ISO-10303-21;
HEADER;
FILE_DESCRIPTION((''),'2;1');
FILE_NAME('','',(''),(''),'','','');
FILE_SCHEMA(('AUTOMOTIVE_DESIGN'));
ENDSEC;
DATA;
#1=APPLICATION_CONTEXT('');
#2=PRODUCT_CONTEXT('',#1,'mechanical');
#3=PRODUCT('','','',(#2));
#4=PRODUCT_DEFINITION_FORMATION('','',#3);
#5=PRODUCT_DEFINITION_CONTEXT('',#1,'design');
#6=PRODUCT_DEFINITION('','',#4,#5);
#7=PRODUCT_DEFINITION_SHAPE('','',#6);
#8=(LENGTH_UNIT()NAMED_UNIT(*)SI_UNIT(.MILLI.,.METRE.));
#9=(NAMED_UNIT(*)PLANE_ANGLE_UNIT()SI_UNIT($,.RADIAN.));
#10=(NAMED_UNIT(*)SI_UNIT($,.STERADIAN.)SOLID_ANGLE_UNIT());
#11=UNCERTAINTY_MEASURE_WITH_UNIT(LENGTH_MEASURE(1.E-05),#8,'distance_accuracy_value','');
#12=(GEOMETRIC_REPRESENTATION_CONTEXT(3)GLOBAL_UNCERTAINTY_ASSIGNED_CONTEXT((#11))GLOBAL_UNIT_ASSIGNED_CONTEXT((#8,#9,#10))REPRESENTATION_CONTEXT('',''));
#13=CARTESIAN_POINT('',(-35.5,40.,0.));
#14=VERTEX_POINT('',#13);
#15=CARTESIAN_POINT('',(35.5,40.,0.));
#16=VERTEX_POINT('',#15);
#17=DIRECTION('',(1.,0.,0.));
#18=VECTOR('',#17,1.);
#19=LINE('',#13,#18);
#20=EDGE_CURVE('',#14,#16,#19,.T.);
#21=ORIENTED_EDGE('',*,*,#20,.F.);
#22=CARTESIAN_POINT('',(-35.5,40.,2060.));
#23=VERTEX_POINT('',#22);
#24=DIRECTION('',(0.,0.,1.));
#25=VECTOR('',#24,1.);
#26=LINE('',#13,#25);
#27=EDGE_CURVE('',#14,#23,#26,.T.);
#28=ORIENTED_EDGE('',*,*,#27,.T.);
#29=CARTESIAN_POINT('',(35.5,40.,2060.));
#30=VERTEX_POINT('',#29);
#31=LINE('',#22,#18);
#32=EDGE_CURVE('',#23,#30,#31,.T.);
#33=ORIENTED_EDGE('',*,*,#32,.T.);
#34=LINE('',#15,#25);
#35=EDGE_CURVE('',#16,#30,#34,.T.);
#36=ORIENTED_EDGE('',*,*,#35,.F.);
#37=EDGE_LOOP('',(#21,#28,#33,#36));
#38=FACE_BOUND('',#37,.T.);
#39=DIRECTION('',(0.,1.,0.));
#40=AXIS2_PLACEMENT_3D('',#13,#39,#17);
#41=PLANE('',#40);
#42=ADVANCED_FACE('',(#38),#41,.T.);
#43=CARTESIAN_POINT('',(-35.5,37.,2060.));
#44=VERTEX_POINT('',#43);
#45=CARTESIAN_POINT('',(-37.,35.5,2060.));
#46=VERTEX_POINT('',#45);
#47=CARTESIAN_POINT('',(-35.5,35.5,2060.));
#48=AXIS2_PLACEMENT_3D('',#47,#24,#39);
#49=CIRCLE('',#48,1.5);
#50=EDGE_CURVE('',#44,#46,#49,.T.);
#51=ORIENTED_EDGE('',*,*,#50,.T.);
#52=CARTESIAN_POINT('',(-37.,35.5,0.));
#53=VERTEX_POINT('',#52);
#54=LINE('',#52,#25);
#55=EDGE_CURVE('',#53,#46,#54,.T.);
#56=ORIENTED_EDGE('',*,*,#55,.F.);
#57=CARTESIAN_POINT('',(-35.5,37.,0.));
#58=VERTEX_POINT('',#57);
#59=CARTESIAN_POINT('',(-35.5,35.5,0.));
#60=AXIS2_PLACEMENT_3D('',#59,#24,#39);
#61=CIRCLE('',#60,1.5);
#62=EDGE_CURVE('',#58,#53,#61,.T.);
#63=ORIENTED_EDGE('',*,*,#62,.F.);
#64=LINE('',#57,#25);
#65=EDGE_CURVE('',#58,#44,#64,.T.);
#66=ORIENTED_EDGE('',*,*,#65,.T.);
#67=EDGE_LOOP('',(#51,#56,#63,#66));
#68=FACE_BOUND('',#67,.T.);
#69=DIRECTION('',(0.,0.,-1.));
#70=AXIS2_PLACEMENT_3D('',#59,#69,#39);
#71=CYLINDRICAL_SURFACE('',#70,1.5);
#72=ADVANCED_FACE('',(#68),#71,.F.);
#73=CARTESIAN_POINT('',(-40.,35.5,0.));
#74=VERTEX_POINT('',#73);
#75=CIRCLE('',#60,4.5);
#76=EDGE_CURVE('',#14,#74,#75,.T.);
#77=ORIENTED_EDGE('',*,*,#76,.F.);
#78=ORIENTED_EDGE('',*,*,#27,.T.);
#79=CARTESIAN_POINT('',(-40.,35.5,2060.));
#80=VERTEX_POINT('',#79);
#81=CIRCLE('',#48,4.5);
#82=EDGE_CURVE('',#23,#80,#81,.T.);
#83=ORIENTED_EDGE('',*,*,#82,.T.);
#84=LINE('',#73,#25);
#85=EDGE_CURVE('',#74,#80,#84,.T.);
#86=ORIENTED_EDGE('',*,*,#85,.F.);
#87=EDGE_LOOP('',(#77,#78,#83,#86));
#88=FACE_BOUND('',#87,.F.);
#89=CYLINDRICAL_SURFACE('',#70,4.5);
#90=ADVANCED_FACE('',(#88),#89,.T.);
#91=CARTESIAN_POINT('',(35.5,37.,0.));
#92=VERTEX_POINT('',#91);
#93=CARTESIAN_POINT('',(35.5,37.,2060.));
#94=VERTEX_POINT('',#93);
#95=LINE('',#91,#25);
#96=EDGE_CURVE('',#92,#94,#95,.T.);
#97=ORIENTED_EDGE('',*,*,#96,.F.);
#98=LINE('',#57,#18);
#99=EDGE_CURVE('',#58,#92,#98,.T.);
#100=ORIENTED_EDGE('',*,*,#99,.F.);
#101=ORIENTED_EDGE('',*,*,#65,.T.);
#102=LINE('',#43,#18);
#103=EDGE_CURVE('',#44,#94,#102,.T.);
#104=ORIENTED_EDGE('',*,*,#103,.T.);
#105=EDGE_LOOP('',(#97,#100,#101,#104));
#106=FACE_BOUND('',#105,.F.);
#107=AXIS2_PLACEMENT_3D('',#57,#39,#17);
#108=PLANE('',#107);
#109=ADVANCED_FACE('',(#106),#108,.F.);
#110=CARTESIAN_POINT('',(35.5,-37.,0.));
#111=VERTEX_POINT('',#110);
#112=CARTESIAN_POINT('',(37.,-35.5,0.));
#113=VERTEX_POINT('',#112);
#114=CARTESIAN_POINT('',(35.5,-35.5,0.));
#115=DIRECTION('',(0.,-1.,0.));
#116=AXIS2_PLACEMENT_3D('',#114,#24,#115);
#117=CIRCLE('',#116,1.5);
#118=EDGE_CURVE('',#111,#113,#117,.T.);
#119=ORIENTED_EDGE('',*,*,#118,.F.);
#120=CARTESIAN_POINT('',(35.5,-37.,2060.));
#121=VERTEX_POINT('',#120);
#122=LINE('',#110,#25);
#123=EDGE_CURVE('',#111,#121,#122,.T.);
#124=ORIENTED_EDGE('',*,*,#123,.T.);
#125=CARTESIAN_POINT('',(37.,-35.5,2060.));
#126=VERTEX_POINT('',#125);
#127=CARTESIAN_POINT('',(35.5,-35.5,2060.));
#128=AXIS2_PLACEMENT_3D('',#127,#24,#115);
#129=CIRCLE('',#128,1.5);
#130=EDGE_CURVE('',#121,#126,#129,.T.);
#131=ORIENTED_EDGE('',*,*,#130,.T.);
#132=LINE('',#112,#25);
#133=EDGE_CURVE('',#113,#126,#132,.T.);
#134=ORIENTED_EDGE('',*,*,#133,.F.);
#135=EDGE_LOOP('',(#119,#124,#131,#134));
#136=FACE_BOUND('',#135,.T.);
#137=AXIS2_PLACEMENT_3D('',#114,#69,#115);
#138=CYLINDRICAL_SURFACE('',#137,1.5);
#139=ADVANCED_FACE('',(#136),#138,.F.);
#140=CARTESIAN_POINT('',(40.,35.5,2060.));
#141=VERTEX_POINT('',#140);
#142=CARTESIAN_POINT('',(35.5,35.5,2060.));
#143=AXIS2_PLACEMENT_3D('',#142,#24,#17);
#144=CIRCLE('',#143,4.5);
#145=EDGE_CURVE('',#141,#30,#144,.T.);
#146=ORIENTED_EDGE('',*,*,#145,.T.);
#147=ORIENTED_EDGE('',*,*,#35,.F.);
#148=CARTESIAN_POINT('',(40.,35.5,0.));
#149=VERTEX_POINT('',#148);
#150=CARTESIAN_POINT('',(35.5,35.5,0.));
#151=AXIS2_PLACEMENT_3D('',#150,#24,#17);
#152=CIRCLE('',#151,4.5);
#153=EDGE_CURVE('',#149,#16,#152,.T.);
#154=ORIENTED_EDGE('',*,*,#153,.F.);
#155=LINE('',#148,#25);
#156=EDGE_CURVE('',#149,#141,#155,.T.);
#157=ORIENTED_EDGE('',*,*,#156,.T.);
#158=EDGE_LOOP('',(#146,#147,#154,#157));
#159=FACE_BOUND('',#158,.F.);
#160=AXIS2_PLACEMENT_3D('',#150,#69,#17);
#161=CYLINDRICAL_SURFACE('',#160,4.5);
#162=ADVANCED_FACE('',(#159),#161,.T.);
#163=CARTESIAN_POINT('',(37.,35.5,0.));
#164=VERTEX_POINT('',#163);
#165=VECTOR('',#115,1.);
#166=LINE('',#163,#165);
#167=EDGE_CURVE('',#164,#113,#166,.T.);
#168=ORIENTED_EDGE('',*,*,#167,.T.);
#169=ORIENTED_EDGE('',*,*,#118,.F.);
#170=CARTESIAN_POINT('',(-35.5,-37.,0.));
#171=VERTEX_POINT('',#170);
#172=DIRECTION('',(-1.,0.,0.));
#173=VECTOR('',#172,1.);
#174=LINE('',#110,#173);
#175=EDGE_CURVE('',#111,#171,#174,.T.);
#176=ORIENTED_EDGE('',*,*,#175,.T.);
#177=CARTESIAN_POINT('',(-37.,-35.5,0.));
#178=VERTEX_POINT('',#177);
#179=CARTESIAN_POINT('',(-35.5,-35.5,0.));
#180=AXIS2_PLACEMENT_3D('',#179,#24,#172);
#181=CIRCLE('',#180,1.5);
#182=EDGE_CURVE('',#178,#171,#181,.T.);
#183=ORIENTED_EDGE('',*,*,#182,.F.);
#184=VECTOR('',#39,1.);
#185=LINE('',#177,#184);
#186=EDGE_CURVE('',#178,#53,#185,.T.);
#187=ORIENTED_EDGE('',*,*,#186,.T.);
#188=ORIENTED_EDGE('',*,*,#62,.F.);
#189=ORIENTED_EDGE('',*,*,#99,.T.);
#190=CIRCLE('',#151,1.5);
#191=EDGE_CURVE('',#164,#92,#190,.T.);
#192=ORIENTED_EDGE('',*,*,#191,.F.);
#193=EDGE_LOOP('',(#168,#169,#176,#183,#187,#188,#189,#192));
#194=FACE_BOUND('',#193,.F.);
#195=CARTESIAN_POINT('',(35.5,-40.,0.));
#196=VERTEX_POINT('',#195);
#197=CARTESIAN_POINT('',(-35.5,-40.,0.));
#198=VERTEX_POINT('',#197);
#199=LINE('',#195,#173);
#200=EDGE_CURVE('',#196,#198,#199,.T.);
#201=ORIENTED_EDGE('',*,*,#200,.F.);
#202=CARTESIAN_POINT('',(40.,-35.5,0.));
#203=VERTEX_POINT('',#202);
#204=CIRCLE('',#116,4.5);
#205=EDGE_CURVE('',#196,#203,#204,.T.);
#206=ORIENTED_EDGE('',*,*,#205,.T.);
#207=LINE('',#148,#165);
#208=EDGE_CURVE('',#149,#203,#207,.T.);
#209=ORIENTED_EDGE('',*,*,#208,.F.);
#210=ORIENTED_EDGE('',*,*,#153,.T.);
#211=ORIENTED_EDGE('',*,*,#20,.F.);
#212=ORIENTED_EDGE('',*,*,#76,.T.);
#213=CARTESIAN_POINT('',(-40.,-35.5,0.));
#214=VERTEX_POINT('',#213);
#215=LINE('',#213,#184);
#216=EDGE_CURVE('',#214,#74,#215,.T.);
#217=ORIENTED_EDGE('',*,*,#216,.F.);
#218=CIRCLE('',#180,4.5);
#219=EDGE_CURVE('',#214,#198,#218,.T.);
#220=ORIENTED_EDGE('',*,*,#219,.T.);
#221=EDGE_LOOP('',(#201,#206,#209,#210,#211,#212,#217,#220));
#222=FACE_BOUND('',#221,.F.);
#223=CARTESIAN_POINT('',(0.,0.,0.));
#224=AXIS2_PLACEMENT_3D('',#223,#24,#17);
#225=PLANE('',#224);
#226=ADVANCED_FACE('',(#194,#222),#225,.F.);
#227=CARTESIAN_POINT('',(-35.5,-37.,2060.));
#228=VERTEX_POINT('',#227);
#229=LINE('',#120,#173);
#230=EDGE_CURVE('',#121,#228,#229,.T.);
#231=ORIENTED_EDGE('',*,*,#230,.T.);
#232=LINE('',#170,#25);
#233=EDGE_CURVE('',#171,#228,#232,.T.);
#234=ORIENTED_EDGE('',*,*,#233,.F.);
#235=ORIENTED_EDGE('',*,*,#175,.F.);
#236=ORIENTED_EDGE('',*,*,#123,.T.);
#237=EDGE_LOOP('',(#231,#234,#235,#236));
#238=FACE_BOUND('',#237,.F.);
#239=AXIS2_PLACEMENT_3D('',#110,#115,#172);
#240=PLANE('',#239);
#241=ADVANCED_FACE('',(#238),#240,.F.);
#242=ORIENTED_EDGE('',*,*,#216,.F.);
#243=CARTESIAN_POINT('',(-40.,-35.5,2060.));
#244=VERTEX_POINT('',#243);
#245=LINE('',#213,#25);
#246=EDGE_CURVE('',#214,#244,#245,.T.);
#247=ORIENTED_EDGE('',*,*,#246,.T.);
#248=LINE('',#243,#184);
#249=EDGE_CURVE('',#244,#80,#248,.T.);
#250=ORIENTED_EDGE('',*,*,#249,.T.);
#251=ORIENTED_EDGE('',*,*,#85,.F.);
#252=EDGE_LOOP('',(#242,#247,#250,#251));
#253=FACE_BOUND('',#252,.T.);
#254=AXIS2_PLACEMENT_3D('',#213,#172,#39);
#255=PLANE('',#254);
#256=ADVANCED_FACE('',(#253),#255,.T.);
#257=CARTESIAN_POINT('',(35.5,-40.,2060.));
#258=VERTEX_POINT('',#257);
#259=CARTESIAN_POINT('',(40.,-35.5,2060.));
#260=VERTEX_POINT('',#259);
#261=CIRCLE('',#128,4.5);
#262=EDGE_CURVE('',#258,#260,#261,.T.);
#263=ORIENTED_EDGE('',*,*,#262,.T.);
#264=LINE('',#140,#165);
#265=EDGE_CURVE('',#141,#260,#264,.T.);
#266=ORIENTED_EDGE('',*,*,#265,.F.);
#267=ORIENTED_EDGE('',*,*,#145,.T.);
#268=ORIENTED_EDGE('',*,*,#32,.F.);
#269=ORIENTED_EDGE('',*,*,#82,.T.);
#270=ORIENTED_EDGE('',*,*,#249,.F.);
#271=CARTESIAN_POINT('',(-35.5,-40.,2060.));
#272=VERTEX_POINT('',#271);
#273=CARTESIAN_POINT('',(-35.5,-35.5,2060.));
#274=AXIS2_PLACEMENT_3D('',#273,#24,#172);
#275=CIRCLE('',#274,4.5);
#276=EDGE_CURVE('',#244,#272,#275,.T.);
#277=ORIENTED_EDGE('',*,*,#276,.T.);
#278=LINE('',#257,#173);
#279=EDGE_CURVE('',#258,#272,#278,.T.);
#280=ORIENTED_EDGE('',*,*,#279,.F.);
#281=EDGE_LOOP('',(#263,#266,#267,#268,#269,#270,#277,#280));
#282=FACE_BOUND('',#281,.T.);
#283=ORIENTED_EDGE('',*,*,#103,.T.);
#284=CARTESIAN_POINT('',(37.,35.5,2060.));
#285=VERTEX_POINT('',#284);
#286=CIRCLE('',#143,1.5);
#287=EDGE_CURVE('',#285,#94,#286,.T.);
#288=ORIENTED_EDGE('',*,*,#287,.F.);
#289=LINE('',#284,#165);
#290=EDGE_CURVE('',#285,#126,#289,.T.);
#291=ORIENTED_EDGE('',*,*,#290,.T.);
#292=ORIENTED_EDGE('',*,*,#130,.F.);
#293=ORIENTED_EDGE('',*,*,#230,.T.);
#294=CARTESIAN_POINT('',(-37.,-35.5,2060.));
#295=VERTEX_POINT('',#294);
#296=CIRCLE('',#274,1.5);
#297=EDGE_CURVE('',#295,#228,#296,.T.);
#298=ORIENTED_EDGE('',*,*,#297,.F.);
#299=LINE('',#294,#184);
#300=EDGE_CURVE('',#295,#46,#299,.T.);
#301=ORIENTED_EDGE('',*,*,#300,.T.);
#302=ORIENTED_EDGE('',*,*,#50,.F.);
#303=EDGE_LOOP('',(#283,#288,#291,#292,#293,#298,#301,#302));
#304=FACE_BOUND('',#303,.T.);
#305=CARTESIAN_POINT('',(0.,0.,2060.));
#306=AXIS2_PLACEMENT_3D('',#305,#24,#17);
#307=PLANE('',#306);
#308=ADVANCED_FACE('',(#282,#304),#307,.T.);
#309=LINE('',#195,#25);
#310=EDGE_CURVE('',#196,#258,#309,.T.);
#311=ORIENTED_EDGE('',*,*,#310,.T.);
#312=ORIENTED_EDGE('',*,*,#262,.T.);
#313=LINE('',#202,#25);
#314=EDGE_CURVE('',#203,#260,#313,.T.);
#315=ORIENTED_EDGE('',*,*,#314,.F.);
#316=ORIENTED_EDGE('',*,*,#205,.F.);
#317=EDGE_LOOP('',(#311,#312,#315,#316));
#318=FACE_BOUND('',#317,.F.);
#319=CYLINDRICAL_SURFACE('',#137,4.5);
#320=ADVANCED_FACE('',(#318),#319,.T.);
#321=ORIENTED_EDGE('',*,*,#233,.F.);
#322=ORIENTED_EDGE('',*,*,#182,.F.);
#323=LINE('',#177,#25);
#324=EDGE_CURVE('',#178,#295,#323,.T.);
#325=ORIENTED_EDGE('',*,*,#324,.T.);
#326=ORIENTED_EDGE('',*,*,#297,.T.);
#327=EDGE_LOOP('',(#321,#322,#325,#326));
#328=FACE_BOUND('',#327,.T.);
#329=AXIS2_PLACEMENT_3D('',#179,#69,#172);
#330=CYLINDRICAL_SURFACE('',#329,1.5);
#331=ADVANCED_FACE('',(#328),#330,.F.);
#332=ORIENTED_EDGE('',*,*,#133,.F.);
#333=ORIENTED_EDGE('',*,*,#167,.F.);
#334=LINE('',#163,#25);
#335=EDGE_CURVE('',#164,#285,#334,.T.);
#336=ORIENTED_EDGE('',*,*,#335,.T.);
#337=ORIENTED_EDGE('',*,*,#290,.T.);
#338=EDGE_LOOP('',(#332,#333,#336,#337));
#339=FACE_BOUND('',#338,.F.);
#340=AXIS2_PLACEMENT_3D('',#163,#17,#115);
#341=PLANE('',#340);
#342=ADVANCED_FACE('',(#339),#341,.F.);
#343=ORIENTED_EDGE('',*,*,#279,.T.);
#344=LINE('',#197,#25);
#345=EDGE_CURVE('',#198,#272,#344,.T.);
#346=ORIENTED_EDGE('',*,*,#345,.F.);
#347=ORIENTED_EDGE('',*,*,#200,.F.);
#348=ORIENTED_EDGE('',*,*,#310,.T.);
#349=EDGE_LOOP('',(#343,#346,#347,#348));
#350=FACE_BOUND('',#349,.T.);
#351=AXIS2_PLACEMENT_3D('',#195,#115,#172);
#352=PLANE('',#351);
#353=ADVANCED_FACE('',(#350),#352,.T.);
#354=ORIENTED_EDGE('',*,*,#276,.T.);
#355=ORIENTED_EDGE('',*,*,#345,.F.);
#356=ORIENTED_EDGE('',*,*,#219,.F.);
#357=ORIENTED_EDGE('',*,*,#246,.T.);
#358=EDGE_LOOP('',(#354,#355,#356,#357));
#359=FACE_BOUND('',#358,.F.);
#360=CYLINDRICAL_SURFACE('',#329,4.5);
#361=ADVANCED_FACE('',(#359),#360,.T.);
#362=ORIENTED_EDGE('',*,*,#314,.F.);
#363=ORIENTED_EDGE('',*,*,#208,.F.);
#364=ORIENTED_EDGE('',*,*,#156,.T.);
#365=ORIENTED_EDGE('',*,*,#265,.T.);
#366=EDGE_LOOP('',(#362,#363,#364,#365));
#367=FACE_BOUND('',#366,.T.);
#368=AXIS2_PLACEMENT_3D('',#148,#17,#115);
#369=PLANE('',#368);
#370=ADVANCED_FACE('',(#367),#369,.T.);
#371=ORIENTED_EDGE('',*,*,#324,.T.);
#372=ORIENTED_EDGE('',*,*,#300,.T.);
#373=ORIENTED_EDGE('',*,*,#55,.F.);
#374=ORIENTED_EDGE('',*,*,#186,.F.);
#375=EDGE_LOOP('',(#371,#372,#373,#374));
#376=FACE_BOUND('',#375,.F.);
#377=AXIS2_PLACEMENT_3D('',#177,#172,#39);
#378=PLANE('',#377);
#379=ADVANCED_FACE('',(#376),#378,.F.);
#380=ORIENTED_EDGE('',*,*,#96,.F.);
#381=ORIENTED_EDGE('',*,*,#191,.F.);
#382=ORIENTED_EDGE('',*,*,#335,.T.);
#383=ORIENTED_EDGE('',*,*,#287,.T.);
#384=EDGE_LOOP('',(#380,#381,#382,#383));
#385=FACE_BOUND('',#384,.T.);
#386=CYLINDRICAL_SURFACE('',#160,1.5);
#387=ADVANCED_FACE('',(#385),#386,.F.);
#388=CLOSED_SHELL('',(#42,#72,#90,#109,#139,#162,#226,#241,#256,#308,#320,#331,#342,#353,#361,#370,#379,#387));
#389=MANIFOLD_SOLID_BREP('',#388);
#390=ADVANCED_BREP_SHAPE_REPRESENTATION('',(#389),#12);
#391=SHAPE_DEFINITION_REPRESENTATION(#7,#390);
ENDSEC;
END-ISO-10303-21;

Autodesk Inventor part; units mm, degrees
ref_plane "YZ Plane" through (0, 0, 0) normal (1, 0, 0) x (0, 1, 0)
ref_plane "Start Plane" through (0, 0, 0) normal (0, 0, 1) x (1, 0, 0)
ref_plane "End Plane" through (0, 0, 2060) normal (0, 0, 1) x (1, 0, 0)
sketch "Sketch" plane through (0, 0, 0) normal (0, 0, 1) x (1, 0, 0)
  line L0 (-40, -35.5) -> (-40, 35.5)
  line L1 (-35.5, 40) -> (35.5, 40)
  line L2 (40, 35.5) -> (40, -35.5)
  line L3 (35.5, -40) -> (-35.5, -40)
  arc A0 (-40, -35.5) -> (-35.5, -40) centre (-35.5, -35.5) ccw
  arc A1 (-35.5, 40) -> (-40, 35.5) centre (-35.5, 35.5) ccw
  arc A2 (40, 35.5) -> (35.5, 40) centre (35.5, 35.5) ccw
  arc A3 (35.5, -40) -> (40, -35.5) centre (35.5, -35.5) ccw
  arc A4 (-35.5, 37) -> (-37, 35.5) centre (-35.5, 35.5) ccw
  line L4 (-35.5, 37) -> (35.5, 37)
  arc A5 (37, 35.5) -> (35.5, 37) centre (35.5, 35.5) ccw
  line L5 (37, 35.5) -> (37, -35.5)
  arc A6 (35.5, -37) -> (37, -35.5) centre (35.5, -35.5) ccw
  line L6 (35.5, -37) -> (-35.5, -37)
  arc A7 (-37, -35.5) -> (-35.5, -37) centre (-35.5, -35.5) ccw
  line L7 (-37, -35.5) -> (-37, 35.5)
  line L8 (0, 57.3048) -> (0, -57.3048) construction
  line L9 (-57.3048, 0) -> (57.3048, 0) construction
  dimension "d7" = 4.5
  dimension "d10" = 80
  dimension "d11" = 80
  dimension "d12" = 3
  dimension "d15" = 40
  dimension "d16" = 40
extrude "Body" add sketch "Sketch" along normal blind 2060 from surface at 0
sketch "Sketch3" plane through (0, 0, 0) normal (0, 0, 1) x (1, 0, 0)
  line L0 (0, 0) -> (10, 0)
ref_plane "Work Plane3" through (0, 0, 0) normal (0, -1, 0) x (1, 0, 0)
sketch "Sketch4" plane through (0, 0, 0) normal (0, -1, 0) x (1, 0, 0)
  line L0 (-2, 0) -> (12, 0) projected
  line L1 (-2, 2060) -> (12, 2060) projected
  dimension "d18" = 2060
equation "\"d7\" = G_IR"
equation "\"d10\" = G_H"
equation "\"d11\" = G_W"
equation "\"d12\" = G_T"
equation "\"d15\" = 0.5 * d10"
equation "\"d16\" = 0.5 * d11"
equation "\"d3\" = G_L"
equation "\"G_W\" = 80"
equation "\"G_H\" = 80"
equation "\"G_T\" = 3"
equation "\"G_IR\" = 4.5"
equation "\"G_L\" = d18"
equation "\"G_OFFSET_START\" = 0"
equation "\"G_OFFSET_END\" = 0"
properties part number "ISO 12633-2 - 80x80x3 - 2060" material "Steel, Mild"
